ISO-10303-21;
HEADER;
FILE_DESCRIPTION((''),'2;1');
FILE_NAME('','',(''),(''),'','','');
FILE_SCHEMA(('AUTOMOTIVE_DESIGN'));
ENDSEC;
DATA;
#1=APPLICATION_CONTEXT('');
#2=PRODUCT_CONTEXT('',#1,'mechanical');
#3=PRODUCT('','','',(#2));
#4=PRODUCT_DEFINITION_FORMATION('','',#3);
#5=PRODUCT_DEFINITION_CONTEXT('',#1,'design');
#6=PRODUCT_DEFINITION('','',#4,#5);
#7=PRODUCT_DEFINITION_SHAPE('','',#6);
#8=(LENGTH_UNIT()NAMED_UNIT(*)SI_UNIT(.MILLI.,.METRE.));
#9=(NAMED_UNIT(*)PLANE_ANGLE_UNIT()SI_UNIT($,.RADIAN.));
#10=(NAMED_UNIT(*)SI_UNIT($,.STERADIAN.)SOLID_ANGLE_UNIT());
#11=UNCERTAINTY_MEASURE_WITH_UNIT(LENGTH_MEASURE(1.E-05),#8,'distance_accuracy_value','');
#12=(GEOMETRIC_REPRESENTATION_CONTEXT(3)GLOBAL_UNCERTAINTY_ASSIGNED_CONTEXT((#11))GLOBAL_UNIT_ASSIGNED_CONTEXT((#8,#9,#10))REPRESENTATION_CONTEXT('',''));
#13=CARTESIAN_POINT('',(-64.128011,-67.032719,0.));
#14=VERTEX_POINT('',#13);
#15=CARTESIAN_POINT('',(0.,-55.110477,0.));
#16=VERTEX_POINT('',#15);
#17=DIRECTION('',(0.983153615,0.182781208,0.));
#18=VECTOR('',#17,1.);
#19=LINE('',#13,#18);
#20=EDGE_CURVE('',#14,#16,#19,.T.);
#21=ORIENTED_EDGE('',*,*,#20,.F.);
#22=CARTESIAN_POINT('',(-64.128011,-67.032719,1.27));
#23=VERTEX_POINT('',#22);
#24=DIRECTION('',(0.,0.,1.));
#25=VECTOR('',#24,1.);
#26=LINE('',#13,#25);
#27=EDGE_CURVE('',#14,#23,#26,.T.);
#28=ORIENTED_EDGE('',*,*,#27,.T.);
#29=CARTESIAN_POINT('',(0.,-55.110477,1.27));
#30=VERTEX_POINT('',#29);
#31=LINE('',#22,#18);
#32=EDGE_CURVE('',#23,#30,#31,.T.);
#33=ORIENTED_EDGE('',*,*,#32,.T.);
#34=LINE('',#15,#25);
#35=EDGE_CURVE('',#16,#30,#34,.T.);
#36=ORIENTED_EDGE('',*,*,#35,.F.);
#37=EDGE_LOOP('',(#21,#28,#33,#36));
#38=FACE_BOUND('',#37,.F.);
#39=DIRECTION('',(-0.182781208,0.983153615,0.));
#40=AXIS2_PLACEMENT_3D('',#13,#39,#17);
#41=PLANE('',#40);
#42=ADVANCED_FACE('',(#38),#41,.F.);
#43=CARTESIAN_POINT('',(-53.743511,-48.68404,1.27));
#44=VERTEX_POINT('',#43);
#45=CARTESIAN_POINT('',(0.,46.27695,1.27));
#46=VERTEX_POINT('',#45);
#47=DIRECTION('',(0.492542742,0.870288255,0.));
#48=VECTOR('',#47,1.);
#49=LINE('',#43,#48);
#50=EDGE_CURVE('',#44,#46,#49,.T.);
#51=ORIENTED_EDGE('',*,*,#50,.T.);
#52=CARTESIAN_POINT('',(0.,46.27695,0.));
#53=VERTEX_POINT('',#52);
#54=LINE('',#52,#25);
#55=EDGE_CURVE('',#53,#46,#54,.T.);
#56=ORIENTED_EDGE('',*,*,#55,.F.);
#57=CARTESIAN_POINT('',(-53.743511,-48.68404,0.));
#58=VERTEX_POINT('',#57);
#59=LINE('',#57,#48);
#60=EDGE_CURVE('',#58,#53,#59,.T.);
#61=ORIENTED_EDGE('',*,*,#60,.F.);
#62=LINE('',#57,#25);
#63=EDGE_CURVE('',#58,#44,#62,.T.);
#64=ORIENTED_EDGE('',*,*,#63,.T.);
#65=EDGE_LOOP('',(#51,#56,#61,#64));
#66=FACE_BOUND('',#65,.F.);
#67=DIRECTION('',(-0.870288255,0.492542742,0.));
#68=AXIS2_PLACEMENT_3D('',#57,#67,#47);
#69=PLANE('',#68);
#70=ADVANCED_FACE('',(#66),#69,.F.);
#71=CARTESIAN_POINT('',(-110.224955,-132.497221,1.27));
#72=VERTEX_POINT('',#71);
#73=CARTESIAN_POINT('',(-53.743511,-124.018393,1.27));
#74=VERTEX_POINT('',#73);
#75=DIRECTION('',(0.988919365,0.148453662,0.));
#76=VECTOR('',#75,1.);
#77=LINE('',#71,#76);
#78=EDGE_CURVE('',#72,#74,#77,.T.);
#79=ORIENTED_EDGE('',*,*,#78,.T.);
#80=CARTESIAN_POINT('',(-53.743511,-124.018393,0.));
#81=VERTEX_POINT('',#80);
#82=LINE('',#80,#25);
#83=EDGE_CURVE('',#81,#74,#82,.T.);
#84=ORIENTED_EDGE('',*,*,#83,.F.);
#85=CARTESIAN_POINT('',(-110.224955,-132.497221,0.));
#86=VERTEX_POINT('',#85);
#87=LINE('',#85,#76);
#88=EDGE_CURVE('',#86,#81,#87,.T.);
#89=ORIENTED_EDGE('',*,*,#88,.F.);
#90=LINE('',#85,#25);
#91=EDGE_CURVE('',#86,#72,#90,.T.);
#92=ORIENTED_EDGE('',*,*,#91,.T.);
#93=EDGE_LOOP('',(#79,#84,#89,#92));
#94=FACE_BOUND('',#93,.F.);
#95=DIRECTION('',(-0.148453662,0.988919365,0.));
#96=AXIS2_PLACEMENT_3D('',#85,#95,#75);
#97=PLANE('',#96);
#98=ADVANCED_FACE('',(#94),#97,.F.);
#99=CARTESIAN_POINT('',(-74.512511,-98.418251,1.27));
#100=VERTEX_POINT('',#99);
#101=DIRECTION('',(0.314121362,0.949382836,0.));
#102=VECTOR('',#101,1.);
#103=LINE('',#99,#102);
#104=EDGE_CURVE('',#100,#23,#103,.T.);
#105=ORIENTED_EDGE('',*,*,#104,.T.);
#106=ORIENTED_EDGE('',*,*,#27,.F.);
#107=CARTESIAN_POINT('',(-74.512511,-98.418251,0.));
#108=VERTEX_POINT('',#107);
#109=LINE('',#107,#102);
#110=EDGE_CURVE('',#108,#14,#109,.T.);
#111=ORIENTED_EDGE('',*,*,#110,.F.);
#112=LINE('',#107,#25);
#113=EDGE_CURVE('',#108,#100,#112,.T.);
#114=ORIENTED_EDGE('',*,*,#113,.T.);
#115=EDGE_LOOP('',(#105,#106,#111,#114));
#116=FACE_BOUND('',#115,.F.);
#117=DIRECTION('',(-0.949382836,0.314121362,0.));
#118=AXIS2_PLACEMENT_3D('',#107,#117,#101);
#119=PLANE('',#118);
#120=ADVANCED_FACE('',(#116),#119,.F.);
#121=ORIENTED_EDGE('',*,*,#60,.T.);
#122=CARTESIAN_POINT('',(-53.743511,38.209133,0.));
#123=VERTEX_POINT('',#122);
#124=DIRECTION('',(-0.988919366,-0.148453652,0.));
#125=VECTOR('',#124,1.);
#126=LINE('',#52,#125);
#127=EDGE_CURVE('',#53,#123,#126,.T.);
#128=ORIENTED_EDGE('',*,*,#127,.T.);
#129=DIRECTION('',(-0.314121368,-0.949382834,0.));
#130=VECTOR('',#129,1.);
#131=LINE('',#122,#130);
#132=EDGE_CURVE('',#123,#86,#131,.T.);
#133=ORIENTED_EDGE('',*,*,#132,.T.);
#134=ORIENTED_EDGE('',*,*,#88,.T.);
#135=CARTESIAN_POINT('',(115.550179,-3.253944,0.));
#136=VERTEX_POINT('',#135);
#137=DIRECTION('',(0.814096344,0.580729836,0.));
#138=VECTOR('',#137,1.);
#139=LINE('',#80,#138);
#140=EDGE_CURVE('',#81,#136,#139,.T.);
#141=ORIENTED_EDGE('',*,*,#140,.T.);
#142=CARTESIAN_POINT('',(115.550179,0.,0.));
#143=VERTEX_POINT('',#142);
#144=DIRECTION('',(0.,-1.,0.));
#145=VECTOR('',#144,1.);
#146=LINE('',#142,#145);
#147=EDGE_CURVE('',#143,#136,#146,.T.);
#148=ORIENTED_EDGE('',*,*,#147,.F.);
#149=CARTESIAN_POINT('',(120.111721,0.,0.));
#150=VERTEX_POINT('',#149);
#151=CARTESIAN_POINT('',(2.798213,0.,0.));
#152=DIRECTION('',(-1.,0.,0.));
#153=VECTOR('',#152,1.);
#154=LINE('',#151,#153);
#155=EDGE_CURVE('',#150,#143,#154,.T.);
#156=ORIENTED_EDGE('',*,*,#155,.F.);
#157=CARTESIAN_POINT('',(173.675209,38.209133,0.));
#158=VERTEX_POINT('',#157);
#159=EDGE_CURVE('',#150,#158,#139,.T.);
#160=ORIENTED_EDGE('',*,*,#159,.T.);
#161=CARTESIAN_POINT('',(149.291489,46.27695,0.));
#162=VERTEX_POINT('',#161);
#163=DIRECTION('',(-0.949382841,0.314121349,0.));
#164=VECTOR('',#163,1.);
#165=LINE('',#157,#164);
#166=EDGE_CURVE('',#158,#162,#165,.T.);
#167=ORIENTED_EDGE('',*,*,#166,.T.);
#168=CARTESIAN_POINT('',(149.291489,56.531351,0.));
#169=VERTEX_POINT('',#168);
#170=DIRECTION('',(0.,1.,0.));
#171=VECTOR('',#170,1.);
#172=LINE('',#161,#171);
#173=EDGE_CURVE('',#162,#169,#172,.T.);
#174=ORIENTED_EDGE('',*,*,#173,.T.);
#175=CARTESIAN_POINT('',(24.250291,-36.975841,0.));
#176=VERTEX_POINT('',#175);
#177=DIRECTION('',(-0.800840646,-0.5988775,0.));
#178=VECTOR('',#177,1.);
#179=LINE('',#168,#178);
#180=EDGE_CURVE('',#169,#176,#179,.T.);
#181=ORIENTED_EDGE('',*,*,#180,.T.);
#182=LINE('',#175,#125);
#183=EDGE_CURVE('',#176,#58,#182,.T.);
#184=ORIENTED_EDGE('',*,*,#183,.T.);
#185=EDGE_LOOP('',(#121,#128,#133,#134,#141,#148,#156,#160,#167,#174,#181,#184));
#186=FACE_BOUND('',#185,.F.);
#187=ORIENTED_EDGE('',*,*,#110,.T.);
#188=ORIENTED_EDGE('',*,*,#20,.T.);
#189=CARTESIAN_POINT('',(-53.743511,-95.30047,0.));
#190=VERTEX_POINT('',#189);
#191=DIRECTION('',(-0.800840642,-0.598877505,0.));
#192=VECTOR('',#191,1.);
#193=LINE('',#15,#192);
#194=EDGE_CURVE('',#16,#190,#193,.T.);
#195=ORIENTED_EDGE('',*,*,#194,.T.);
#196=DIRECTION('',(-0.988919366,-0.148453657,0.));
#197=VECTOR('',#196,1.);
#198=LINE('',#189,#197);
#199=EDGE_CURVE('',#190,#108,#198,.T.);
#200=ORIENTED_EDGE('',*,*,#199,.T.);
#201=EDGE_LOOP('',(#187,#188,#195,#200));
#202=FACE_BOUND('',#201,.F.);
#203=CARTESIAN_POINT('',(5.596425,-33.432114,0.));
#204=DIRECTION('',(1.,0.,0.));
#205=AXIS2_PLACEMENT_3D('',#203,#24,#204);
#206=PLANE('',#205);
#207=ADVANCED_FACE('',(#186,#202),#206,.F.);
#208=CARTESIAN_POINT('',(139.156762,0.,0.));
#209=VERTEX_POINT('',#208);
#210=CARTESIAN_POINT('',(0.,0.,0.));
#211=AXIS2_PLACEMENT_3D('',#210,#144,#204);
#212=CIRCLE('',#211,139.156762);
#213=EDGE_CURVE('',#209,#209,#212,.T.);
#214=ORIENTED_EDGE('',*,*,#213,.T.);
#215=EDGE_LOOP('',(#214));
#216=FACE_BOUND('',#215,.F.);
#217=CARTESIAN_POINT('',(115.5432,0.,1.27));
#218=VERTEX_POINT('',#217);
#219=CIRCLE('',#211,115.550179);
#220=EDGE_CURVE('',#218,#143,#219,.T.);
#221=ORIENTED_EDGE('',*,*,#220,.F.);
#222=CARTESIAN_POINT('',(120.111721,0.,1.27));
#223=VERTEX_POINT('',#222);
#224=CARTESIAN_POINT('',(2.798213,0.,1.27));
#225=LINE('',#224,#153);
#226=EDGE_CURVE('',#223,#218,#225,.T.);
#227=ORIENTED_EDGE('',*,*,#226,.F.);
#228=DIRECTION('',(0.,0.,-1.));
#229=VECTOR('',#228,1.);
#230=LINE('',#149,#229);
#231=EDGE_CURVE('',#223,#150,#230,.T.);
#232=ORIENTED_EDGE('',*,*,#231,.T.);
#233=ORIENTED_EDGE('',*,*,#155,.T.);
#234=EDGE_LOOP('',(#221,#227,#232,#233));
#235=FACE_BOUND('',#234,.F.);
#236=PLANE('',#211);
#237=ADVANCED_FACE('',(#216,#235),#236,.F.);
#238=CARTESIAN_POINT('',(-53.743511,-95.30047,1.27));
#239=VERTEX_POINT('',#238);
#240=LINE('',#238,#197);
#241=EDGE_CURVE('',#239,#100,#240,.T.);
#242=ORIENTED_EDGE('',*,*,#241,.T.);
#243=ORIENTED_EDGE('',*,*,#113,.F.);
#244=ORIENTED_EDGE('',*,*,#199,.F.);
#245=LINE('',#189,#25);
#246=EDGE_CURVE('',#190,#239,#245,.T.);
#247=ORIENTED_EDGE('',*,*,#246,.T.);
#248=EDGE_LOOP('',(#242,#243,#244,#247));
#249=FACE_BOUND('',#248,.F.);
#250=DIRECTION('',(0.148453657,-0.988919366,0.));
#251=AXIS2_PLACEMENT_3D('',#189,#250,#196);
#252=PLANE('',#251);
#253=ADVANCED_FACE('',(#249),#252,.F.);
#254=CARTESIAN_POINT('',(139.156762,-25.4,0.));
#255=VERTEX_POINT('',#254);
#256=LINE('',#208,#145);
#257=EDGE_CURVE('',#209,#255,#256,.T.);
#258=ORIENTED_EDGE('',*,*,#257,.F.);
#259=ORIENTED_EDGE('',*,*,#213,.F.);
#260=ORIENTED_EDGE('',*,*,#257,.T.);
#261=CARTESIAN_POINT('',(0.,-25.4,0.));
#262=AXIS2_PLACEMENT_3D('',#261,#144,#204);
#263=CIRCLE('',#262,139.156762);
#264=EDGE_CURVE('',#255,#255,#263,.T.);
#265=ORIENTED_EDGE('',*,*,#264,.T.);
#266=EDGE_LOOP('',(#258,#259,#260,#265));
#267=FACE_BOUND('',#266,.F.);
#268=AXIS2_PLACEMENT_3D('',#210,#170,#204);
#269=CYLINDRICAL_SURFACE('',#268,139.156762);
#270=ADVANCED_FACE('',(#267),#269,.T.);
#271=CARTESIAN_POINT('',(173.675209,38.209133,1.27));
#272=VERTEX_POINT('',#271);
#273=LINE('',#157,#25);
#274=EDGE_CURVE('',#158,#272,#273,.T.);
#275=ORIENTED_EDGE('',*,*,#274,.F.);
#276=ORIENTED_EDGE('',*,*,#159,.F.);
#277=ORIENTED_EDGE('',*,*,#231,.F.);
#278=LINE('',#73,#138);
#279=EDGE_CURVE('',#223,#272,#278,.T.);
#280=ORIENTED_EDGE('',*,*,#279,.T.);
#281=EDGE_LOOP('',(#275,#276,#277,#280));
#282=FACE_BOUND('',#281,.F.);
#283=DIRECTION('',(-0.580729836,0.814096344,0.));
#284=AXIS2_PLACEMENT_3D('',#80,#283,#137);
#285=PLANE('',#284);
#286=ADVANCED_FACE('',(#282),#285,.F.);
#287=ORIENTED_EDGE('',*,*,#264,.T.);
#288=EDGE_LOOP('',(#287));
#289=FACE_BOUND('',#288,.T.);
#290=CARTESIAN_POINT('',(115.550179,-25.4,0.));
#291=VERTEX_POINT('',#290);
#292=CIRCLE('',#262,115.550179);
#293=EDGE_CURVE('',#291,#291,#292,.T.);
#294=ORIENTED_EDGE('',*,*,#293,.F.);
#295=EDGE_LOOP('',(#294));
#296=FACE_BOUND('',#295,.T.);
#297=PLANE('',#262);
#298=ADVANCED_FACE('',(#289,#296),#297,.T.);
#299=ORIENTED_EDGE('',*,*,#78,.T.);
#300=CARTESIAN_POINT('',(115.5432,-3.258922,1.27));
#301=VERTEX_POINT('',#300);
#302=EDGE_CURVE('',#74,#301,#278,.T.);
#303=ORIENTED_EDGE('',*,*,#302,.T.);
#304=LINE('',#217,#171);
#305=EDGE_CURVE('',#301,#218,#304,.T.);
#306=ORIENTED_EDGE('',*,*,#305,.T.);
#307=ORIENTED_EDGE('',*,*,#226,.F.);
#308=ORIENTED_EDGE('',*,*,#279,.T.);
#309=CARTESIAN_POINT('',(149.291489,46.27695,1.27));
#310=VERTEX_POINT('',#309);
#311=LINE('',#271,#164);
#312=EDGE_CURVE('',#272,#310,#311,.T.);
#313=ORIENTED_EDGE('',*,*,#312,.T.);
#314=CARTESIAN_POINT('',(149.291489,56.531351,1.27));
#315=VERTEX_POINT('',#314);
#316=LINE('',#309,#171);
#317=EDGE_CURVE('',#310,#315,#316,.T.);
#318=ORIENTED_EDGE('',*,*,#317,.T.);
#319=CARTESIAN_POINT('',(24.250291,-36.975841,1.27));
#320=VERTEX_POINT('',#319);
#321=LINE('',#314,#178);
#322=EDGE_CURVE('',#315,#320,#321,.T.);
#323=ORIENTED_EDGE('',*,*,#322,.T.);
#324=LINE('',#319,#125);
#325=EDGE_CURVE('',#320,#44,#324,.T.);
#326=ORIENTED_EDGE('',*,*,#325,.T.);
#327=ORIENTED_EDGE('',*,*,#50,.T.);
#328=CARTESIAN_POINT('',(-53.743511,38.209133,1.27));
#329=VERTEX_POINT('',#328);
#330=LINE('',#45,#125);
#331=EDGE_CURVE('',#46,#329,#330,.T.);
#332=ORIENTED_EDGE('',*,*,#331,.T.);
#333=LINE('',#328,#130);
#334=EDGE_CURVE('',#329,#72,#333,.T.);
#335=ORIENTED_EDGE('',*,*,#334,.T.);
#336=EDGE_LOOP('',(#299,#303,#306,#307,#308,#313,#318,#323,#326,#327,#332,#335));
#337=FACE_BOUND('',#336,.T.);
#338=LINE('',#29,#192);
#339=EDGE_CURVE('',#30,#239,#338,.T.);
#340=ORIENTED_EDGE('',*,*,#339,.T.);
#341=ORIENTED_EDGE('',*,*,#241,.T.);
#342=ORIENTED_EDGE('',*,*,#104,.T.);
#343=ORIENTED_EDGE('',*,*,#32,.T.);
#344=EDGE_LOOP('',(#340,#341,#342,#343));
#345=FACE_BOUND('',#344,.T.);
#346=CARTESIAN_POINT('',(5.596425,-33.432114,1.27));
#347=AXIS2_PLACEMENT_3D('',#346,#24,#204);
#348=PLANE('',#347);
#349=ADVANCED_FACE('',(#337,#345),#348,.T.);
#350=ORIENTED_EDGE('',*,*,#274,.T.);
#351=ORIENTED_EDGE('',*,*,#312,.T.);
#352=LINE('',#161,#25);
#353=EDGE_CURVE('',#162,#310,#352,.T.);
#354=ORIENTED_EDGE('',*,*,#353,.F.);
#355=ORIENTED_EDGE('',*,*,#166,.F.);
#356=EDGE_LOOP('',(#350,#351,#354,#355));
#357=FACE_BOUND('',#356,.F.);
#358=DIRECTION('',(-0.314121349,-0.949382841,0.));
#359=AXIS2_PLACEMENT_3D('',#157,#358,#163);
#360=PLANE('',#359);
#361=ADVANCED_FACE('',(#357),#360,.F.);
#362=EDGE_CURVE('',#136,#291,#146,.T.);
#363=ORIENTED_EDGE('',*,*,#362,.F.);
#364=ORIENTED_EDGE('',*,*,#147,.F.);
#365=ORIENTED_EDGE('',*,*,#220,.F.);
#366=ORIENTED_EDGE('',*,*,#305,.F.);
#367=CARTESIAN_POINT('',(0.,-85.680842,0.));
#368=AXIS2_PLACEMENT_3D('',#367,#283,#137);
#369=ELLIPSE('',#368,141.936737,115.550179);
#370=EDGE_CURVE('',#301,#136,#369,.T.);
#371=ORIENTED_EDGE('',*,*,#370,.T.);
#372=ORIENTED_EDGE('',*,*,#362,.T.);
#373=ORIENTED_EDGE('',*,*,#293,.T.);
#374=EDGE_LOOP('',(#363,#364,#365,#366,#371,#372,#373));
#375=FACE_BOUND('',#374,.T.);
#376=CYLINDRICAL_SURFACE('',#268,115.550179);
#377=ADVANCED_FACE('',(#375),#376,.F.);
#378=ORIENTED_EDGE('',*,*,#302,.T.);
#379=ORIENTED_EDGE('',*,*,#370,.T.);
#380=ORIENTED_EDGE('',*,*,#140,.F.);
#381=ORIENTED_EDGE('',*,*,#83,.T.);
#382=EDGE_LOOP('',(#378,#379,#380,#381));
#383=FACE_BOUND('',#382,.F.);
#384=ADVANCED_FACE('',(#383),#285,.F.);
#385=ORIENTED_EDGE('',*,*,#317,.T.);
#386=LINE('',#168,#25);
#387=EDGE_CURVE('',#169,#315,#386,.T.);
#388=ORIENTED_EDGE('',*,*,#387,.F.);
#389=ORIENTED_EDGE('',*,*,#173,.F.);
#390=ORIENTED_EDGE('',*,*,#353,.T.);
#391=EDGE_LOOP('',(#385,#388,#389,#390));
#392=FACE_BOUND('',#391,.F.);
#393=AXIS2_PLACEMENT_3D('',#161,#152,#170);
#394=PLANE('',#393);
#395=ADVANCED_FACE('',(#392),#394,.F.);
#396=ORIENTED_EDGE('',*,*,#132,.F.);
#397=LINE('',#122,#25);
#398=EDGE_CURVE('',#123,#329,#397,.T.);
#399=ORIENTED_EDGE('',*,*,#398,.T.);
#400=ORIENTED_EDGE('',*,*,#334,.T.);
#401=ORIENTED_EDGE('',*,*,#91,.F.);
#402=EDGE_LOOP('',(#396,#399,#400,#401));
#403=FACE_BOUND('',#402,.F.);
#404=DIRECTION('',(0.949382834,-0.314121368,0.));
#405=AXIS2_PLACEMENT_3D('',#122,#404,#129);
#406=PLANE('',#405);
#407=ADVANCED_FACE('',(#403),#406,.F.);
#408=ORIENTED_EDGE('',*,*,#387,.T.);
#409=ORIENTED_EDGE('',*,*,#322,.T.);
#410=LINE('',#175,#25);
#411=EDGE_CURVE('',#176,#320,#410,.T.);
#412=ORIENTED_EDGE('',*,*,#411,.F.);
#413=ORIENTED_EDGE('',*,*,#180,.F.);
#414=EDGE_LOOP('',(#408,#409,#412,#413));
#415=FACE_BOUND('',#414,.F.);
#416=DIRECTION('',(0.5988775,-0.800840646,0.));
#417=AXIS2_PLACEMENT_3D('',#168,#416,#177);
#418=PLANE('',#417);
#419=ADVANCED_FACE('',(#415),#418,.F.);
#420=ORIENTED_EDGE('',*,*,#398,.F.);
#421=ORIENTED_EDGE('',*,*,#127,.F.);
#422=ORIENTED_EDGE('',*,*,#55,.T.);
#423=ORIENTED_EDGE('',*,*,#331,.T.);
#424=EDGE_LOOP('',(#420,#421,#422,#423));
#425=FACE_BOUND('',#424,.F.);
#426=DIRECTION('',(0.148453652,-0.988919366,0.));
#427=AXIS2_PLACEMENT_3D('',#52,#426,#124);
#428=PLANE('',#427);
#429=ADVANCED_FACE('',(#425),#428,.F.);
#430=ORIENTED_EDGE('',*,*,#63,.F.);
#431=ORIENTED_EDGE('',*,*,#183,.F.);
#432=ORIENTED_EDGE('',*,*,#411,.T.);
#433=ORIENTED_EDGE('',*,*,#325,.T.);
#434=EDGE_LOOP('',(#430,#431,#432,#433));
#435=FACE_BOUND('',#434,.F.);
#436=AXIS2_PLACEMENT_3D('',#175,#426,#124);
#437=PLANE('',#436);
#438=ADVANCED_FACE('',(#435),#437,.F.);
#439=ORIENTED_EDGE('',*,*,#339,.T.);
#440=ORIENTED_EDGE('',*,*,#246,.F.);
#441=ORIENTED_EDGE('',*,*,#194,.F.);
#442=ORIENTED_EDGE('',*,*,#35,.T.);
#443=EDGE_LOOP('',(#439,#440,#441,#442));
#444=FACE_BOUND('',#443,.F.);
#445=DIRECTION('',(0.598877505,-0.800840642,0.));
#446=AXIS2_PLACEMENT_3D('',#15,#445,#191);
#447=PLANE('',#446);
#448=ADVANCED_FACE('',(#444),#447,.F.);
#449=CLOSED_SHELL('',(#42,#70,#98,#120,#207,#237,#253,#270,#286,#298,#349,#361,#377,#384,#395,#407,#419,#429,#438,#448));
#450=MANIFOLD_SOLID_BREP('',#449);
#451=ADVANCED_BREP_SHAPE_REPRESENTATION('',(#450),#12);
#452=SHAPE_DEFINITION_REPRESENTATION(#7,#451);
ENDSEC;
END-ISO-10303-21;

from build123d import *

# Parameters (mm, degrees)
F0_R     = 139.156762
F0_R_2   = 115.550179
F1_DEPTH = 25.4
F3_DEPTH = 1.27


with BuildPart() as f1:
    # F0 (on Front) → F1 (new body)
    with BuildSketch(Plane.XZ):
        Circle(F0_R)
        Circle(F0_R_2, mode=Mode.SUBTRACT)
    extrude(amount=F1_DEPTH)

    # F2 (on Top) → F3 (join)
    with BuildSketch(Plane.XY):
        Polygon((-53.743511, 38.209133), (-110.224955, -132.497221), (-53.743511, -124.018393), (173.675209, 38.209133), (149.291489, 46.27695), (149.291489, 56.531351), (24.250291, -36.975841), (0, -55.110477), (-53.743511, -95.30047), (-74.512511, -98.418251), (-64.128011, -67.032719), (-53.743511, -48.68404), (0, 46.27695), align=None)
        Polygon((24.250291, -36.975841), (-53.743511, -48.68404), (-64.128011, -67.032719), (0, -55.110477), align=None)
    extrude(amount=F3_DEPTH)


solid = f1.part
